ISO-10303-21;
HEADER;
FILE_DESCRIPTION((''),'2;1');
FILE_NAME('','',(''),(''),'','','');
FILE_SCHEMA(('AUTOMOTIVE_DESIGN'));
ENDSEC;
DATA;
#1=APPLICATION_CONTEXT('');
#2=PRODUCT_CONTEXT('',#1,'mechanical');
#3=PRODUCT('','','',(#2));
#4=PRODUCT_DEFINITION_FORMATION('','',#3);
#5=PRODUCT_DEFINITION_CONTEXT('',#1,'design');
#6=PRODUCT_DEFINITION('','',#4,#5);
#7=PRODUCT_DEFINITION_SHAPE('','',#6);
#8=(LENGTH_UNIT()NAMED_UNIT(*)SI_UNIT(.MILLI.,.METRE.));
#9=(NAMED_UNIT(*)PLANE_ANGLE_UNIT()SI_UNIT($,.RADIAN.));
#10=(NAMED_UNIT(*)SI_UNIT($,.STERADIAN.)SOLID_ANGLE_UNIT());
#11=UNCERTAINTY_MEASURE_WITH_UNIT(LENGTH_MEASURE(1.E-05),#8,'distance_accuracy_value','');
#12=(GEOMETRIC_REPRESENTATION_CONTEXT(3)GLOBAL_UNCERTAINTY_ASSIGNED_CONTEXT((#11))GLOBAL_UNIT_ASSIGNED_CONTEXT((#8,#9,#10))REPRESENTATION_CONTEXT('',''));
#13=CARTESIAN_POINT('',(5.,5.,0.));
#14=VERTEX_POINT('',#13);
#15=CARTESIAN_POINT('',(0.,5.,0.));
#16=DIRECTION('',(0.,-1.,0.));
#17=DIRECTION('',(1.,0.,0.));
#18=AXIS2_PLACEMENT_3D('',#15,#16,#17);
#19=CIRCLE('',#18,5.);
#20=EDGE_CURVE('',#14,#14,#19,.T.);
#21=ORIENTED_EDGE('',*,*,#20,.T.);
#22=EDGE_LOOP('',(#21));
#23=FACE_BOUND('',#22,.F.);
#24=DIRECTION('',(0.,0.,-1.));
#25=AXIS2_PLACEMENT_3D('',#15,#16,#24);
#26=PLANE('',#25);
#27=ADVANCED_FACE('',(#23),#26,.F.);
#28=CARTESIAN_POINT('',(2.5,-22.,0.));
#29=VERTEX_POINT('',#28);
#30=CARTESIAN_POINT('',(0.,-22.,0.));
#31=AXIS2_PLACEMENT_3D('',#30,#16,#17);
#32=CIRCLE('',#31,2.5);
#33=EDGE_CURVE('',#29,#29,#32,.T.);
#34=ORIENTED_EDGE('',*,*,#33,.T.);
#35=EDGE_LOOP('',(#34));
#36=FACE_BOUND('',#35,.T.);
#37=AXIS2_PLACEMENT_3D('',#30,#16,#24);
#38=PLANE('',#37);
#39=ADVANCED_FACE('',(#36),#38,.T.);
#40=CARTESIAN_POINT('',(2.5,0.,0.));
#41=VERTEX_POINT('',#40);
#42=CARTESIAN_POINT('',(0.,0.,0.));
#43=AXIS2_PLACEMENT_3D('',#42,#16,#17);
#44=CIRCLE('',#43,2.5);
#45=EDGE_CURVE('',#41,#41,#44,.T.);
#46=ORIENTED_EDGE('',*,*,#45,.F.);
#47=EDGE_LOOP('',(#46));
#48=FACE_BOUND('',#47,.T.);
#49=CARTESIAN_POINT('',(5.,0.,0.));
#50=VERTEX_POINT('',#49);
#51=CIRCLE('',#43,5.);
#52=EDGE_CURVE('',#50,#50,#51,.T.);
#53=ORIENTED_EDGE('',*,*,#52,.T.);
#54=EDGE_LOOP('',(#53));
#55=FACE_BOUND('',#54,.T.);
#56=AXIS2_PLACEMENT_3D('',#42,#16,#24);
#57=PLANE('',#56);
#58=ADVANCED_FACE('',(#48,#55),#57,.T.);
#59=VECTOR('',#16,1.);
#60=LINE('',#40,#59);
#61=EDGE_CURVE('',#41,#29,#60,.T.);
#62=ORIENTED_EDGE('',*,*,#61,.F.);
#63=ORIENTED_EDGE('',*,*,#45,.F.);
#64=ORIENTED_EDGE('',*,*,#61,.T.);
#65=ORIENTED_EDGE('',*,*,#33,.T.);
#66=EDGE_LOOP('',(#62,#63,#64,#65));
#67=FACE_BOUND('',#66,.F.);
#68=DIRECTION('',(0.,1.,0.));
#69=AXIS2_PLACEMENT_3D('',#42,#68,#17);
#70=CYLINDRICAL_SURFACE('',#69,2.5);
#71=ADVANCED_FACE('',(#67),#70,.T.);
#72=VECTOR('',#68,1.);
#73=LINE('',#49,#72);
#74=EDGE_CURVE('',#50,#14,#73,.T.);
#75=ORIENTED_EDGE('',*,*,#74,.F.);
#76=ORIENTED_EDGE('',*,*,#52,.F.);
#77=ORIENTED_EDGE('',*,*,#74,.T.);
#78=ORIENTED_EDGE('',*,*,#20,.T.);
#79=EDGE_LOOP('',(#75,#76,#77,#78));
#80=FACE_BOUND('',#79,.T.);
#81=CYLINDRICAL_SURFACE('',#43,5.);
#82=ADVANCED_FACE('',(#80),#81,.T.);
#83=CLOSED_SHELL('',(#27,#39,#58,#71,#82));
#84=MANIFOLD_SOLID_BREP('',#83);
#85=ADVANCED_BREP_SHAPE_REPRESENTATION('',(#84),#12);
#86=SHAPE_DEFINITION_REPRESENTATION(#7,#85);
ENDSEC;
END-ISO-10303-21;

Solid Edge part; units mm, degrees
sketch "Sketch1" plane through (0, 0, 0) normal (0, -1, 0) x (1, 0, 0)
  circle A0 centre (0, 0) radius 2.5
extrude "Protrusion1" add sketch "Sketch1" along normal blind 22
sketch "Sketch2" plane through (0, 0, 0) normal (0, -1, 0) x (1, 0, 0)
  circle A0 centre (0, 0) radius 5
extrude "ExtrudedProtrusion_2" add sketch "Sketch2" against normal blind 5
